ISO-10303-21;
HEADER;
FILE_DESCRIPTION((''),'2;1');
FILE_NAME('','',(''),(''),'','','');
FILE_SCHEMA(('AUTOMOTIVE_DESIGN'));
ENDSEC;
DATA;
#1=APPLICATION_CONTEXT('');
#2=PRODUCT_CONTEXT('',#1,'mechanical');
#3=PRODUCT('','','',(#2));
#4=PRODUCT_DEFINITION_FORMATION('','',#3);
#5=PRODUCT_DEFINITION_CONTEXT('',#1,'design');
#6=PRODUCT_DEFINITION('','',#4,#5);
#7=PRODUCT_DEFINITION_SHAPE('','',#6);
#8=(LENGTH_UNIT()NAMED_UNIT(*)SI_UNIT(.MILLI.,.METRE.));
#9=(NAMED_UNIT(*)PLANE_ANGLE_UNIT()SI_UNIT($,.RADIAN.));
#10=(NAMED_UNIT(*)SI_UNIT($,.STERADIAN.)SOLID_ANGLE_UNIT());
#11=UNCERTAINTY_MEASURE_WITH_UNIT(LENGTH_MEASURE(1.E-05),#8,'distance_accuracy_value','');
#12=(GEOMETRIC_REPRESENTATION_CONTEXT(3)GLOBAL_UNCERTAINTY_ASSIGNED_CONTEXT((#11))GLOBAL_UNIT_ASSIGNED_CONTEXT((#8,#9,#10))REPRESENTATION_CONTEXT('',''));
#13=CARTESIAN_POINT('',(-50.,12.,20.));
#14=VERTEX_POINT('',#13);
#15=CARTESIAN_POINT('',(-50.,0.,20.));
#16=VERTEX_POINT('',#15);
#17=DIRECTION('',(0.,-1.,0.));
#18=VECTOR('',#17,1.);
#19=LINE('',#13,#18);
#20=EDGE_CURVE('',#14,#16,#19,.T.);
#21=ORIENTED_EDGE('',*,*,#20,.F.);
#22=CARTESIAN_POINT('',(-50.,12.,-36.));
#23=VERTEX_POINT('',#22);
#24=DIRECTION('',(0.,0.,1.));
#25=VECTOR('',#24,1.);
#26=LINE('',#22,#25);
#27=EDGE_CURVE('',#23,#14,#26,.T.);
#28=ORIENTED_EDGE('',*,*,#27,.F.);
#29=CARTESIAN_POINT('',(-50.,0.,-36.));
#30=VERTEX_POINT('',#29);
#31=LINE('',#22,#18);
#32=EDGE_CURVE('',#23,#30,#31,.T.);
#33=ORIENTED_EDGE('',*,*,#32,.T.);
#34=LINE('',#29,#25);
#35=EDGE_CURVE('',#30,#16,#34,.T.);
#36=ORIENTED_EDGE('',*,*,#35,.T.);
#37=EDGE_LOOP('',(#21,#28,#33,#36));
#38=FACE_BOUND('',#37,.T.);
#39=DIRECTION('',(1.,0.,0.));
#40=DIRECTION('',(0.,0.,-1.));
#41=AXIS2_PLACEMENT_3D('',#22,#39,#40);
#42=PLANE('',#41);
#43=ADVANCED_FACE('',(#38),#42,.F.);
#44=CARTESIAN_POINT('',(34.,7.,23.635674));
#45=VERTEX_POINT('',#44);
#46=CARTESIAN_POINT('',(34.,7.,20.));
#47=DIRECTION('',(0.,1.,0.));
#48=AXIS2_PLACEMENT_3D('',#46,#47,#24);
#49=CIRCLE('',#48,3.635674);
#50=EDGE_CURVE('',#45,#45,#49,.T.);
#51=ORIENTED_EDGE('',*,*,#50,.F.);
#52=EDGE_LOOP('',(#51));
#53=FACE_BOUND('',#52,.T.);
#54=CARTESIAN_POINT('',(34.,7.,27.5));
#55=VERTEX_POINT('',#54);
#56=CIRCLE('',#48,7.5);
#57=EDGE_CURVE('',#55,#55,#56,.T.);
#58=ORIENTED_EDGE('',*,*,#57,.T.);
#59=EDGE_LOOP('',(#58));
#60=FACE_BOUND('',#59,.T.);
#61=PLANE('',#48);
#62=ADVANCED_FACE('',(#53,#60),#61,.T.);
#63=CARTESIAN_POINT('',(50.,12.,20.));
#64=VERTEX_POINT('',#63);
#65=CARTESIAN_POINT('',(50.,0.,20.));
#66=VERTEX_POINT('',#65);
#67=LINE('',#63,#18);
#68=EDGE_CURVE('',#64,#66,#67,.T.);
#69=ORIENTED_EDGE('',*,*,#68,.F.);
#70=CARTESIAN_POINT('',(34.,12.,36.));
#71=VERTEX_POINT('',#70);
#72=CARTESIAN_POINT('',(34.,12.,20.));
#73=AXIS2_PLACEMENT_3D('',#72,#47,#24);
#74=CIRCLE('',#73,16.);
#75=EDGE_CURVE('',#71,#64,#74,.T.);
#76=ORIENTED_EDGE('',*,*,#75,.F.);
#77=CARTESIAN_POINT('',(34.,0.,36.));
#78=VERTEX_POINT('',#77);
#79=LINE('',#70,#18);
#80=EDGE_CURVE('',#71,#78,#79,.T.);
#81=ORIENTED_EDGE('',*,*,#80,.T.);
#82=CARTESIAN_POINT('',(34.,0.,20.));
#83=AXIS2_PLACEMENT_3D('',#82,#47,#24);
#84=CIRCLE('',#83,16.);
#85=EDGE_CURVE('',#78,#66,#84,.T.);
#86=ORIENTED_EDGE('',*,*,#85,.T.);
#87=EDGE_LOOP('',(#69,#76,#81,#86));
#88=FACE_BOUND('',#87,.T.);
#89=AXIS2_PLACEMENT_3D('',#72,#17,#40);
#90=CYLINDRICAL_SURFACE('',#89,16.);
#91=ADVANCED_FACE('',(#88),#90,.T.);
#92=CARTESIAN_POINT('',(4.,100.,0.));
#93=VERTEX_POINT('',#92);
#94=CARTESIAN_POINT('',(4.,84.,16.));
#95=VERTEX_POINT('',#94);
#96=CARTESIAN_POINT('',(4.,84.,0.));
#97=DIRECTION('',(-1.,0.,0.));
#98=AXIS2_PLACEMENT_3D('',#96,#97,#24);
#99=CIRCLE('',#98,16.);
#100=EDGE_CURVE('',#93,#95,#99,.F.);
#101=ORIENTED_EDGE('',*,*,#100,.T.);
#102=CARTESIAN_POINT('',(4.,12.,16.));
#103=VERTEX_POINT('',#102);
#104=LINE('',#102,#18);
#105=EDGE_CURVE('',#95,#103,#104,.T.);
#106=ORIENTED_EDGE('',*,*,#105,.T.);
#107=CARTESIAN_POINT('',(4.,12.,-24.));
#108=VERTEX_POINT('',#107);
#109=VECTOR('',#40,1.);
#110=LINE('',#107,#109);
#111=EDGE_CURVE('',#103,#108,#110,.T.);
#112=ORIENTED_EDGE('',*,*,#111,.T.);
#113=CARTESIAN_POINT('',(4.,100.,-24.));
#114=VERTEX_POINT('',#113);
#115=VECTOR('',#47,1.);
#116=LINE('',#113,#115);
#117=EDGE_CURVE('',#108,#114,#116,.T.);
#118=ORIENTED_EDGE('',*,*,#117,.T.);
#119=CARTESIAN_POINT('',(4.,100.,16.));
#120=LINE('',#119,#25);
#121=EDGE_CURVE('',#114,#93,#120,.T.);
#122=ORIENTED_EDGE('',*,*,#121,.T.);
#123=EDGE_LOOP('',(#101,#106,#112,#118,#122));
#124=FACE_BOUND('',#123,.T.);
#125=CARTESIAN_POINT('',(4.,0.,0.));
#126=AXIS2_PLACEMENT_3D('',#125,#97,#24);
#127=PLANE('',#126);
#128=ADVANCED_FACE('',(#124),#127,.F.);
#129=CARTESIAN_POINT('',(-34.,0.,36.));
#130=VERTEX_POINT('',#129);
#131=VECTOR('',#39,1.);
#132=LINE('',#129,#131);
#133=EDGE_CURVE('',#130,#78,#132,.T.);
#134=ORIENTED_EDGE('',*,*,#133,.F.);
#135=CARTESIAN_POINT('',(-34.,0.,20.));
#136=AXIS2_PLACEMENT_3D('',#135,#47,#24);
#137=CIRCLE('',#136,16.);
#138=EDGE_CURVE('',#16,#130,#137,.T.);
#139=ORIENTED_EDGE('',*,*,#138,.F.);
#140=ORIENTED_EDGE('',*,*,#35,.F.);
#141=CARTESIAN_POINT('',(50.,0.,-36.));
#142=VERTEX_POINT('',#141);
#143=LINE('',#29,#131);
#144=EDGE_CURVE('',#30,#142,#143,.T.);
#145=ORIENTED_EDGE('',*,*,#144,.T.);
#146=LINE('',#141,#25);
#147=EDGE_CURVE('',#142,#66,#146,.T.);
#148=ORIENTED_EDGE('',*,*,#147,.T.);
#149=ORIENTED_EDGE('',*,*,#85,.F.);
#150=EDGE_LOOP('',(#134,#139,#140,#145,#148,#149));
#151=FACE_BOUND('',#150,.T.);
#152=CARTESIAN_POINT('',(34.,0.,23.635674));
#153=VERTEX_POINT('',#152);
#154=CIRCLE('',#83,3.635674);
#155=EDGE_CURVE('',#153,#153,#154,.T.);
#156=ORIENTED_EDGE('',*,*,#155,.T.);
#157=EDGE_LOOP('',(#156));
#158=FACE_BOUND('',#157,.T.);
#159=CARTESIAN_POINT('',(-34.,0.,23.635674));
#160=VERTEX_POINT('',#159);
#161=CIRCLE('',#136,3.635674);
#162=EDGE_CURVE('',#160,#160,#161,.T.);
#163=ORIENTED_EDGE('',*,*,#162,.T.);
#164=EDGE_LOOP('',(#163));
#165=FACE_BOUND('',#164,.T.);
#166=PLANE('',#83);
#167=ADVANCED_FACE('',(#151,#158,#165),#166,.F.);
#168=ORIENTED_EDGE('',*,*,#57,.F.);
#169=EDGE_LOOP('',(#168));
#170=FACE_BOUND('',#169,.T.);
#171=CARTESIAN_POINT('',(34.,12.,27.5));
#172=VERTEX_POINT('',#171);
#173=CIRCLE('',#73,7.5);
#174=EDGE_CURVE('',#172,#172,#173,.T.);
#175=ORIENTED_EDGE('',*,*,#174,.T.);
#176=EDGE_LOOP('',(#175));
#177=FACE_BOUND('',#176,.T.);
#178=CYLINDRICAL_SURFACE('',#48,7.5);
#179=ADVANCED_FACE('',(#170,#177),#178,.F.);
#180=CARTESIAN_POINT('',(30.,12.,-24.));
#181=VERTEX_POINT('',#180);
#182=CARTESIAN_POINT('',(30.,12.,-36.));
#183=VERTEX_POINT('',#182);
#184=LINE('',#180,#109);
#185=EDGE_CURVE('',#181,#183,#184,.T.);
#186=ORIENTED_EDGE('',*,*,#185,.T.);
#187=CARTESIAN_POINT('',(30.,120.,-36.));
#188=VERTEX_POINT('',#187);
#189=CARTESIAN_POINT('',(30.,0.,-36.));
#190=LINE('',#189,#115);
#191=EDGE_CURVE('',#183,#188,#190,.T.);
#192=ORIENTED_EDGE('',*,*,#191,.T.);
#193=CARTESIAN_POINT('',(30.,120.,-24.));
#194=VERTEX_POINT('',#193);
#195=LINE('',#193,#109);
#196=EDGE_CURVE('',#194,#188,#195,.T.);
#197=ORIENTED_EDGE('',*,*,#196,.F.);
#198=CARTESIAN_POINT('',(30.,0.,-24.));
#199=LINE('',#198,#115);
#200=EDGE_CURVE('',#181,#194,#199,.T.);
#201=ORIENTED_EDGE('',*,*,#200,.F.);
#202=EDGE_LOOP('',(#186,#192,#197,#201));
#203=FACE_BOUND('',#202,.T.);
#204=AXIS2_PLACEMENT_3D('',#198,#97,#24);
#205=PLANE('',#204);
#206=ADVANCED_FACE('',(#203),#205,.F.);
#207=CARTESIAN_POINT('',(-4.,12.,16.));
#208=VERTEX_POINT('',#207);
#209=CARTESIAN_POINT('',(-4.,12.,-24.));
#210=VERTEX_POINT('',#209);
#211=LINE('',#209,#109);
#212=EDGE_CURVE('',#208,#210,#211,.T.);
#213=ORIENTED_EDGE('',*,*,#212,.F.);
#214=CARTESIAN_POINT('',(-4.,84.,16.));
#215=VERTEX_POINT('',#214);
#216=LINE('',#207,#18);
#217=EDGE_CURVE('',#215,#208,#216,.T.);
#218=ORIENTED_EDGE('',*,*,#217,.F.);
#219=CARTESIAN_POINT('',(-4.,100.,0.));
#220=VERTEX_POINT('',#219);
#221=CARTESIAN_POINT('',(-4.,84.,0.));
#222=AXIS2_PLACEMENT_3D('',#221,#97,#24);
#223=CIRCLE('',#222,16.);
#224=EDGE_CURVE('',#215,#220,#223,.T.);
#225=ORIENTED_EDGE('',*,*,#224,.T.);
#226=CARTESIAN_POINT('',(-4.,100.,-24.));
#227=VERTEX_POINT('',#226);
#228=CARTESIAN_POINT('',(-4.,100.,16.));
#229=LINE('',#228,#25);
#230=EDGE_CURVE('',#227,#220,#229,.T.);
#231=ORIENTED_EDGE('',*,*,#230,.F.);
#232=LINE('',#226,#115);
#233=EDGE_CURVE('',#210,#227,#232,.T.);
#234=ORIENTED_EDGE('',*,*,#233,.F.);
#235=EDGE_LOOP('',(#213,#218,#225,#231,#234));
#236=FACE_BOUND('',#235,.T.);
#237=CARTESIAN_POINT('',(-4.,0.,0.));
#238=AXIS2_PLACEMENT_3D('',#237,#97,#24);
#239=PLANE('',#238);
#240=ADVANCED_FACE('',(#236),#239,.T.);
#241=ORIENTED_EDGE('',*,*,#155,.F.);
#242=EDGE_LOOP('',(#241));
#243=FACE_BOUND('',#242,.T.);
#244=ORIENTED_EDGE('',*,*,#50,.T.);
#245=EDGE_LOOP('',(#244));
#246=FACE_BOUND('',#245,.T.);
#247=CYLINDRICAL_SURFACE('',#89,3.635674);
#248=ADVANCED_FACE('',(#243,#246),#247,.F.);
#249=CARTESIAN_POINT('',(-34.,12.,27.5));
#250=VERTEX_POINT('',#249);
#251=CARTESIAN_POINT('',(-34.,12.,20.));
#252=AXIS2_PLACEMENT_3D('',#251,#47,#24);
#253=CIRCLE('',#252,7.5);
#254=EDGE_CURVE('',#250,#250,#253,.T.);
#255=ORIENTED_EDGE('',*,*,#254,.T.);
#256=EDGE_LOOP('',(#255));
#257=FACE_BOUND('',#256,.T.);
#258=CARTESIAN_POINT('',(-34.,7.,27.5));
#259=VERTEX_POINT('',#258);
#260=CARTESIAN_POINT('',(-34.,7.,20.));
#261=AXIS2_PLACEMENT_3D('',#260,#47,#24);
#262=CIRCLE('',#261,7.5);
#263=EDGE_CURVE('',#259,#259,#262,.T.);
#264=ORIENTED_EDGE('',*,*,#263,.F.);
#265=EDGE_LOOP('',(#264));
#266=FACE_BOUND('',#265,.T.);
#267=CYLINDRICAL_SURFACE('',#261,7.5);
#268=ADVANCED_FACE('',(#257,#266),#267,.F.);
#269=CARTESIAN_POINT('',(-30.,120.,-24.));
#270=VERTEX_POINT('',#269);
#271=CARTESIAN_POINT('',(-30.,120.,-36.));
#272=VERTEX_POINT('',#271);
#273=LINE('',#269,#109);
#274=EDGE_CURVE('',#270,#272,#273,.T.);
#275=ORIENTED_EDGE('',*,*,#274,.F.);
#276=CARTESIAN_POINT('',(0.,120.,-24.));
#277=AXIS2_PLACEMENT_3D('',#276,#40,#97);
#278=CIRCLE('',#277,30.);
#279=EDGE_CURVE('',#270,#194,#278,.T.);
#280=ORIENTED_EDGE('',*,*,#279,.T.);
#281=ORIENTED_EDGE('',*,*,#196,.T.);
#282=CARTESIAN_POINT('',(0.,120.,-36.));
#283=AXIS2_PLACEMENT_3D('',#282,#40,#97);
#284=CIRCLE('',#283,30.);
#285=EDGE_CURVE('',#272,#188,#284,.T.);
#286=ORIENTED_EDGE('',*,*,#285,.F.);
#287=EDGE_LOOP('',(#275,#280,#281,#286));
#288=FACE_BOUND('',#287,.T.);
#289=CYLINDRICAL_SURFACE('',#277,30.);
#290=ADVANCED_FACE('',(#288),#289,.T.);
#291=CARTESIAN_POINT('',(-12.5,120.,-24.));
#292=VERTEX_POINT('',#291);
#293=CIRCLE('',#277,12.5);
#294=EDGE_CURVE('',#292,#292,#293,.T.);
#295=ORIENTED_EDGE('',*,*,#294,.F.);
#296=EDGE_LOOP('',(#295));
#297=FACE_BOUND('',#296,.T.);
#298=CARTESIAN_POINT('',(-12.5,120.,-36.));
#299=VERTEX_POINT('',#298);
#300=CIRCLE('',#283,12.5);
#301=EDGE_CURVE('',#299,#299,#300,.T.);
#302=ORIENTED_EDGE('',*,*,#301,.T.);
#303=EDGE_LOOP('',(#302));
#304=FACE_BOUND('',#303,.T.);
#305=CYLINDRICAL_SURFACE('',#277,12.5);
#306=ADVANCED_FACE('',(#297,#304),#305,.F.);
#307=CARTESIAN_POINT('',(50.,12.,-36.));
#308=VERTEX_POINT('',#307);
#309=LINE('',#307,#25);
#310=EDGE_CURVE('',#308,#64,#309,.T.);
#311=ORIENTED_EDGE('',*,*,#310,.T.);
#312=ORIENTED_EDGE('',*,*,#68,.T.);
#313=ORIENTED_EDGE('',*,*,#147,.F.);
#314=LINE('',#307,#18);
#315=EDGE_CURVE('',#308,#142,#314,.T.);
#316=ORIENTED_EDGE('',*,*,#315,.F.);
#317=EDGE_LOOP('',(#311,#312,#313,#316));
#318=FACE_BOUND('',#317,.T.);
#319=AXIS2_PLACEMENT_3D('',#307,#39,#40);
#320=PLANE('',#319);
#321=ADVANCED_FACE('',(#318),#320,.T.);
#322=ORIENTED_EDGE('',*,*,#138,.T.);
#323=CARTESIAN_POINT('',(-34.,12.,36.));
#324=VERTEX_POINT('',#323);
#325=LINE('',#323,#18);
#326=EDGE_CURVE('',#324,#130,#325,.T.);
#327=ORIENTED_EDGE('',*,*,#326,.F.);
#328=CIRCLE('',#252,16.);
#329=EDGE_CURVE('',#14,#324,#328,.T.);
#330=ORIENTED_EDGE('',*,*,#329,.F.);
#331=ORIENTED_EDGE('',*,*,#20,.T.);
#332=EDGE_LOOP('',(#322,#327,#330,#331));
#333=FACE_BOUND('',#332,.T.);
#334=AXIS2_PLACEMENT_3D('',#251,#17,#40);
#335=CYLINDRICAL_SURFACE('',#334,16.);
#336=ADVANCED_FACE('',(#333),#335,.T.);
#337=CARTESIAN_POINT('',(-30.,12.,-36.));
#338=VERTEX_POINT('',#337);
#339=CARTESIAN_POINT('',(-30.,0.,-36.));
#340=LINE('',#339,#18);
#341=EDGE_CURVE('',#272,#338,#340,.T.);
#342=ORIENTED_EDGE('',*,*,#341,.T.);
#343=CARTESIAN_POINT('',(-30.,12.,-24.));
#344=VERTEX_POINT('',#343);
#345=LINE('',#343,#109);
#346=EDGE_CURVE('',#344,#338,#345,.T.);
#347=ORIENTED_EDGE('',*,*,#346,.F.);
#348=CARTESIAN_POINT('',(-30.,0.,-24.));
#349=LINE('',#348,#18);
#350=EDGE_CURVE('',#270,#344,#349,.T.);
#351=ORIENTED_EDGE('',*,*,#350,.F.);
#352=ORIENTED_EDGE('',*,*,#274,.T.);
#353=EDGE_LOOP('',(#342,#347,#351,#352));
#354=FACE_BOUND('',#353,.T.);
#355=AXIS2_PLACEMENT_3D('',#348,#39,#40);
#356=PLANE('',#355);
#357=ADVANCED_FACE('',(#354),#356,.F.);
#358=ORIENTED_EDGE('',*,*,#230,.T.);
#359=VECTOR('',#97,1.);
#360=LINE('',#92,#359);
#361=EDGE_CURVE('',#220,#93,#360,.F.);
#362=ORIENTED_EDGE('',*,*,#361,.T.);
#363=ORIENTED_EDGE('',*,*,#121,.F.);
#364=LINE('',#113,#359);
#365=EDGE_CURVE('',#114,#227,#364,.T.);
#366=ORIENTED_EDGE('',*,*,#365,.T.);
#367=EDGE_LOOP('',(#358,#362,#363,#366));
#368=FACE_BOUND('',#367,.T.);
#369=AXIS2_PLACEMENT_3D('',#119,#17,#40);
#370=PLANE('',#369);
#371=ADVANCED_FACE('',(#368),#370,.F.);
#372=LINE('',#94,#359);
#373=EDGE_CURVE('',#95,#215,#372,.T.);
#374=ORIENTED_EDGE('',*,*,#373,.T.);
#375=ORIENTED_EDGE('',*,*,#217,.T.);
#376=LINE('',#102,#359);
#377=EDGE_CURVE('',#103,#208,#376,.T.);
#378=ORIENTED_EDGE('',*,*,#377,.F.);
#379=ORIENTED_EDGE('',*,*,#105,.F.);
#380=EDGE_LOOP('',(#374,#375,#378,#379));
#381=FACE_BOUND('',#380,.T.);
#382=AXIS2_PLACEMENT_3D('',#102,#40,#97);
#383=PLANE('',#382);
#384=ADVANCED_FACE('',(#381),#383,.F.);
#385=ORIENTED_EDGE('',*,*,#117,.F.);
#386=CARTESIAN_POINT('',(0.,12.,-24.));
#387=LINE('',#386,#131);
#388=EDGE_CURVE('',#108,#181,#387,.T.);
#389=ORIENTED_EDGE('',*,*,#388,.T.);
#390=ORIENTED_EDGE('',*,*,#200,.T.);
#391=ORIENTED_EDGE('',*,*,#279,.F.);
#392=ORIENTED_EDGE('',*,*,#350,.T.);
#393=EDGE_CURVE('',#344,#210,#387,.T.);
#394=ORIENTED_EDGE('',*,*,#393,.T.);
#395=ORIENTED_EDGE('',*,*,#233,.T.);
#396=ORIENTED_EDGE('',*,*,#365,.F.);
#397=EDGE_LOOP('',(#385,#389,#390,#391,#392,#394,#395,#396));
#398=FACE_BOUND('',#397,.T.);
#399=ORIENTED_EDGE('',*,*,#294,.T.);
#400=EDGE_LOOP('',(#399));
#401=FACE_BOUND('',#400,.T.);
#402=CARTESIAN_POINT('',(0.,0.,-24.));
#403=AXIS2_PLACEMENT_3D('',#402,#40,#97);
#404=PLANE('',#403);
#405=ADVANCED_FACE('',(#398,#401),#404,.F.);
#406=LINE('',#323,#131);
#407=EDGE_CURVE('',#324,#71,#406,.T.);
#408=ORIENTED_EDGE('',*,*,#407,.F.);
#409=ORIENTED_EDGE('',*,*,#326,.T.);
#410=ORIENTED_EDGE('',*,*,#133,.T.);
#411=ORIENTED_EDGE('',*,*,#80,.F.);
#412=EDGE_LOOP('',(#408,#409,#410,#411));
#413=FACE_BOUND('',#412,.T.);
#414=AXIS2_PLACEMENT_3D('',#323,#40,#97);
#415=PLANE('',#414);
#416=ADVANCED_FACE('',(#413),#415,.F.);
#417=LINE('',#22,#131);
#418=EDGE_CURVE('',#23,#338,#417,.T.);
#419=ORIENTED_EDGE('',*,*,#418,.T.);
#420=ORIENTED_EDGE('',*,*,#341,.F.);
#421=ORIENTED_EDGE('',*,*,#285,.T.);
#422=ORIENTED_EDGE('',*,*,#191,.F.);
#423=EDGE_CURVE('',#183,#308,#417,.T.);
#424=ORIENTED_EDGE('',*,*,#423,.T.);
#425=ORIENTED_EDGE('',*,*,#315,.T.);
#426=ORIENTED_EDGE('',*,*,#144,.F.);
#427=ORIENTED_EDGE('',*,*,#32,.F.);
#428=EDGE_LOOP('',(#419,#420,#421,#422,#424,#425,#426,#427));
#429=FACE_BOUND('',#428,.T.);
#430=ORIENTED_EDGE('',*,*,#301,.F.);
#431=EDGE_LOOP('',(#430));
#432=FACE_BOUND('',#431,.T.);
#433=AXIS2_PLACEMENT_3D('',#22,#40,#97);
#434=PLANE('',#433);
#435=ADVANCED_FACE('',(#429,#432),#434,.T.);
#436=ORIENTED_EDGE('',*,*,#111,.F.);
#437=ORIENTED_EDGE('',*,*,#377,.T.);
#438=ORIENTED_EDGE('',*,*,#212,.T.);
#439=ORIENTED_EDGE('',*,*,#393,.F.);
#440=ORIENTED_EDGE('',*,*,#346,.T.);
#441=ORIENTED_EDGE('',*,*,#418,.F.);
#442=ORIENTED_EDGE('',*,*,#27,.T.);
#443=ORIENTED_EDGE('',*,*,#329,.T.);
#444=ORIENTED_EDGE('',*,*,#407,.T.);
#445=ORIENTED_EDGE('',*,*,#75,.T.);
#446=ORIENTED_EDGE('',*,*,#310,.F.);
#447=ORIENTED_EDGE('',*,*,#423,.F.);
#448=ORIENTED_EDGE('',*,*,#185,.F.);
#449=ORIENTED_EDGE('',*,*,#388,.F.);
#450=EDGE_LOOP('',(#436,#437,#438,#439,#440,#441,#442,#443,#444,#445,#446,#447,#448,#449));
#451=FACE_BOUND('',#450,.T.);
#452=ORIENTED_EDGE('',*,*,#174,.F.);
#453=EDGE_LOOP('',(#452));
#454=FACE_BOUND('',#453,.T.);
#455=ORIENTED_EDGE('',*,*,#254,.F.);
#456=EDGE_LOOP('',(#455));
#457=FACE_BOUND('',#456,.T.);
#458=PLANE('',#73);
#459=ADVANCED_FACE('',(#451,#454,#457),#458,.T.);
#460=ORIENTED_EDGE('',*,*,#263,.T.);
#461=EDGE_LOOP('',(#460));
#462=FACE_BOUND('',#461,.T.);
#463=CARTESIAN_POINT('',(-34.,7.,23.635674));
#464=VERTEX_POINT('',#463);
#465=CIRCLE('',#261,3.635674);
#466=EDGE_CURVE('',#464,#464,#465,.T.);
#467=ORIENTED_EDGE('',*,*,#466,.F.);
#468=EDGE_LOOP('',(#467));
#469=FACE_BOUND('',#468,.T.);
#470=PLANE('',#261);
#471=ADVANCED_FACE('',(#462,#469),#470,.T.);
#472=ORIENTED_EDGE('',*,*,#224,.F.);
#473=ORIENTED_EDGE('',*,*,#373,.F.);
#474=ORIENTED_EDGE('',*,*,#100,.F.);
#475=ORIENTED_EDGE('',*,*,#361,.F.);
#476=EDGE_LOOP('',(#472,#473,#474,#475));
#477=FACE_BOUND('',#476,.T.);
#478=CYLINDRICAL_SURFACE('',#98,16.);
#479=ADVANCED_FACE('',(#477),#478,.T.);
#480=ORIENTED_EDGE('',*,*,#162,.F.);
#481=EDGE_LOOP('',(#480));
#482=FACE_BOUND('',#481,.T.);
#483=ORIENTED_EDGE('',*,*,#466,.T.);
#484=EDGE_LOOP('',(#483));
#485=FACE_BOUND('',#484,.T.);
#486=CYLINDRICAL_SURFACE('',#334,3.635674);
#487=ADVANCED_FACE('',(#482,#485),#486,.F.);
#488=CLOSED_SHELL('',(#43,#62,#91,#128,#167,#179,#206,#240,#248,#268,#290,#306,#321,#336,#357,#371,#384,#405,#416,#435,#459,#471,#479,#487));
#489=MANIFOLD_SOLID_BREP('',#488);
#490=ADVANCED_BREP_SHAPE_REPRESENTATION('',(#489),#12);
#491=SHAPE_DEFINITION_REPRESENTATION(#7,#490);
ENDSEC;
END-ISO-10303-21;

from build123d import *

# Parameters (mm, degrees)
EXTRUDE_1_DEPTH     = 12
SKETCH_1_3_R        = 3.63567385
CUT_EXTRUDE_1_DEPTH = 12
SKETCH_2_R          = 7.5
CUT_EXTRUDE_2_DEPTH = 5
SKETCH_4_R          = 12.5
EXTRUDE_2_DEPTH     = 12
SKETCH_5_W          = 40
SKETCH_5_H          = 88
EXTRUDE_3_DEPTH     = 4
FILLET_1_R          = 16


with BuildPart() as part:
    # 草图1 → 凸台-拉伸1 (new body)
    with BuildSketch(Plane(origin=(0, 0, 0), x_dir=(1, 0, 0), z_dir=(0, 1, 0))):
        with BuildLine():
            Line((-50, 36), (50, 36))
            Line((50, 36), (50, -20))
            ThreePointArc((50, -20), (45.313708499, -31.313708499), (34, -36))
            Line((34, -36), (-34, -36))
            ThreePointArc((-34, -36), (-45.313708499, -31.313708499), (-50, -20))
            Line((-50, -20), (-50, 36))
        make_face()
    extrude(amount=EXTRUDE_1_DEPTH)

    # 草图1<3> → 切除-拉伸1 (cut)
    with BuildSketch(Plane(origin=(0, 0, 0), x_dir=(1, 0, 0), z_dir=(0, 1, 0))):
        with Locations((-34, -20)):
            Circle(SKETCH_1_3_R)
        with Locations((34, -20)):
            Circle(SKETCH_1_3_R)
    extrude(amount=CUT_EXTRUDE_1_DEPTH, mode=Mode.SUBTRACT)

    # 草图2 → 切除-拉伸2 (cut)
    with BuildSketch(Plane(origin=(0, 12, 0), x_dir=(1, 0, 0), z_dir=(0, 1, 0))):
        with Locations((34, -20)):
            Circle(SKETCH_2_R)
        with Locations((-34, -20)):
            Circle(SKETCH_2_R)
    extrude(amount=-CUT_EXTRUDE_2_DEPTH, mode=Mode.SUBTRACT)

    # 草图4 → 凸台-拉伸2 (add)
    with BuildSketch(Plane(origin=(0, 0, -36), x_dir=(-1, 0, 0), z_dir=(0, 0, -1))):
        with BuildLine():
            Line((-30, 12), (30, 12))
            Line((30, 12), (30, 120))
            ThreePointArc((30, 120), (0, 150), (-30, 120))
            Line((-30, 120), (-30, 12))
        make_face()
        with Locations((0, 120)):
            Circle(SKETCH_4_R, mode=Mode.SUBTRACT)
    extrude(amount=-EXTRUDE_2_DEPTH)

    # 草图5 → 凸台-拉伸3 (add, symmetric)
    with BuildSketch(Plane(origin=(0, 0, 0), x_dir=(0, 0, -1), z_dir=(1, 0, 0))):
        with Locations((4, 56)):
            Rectangle(SKETCH_5_W, SKETCH_5_H)
    extrude(amount=EXTRUDE_3_DEPTH, both=True)

    # 圆角1
    fillet_1_edges = [part.edges().sort_by_distance(p)[0] for p in [
        (0, 100, 16),
    ]]
    fillet(fillet_1_edges, radius=FILLET_1_R)


solid = part.part
